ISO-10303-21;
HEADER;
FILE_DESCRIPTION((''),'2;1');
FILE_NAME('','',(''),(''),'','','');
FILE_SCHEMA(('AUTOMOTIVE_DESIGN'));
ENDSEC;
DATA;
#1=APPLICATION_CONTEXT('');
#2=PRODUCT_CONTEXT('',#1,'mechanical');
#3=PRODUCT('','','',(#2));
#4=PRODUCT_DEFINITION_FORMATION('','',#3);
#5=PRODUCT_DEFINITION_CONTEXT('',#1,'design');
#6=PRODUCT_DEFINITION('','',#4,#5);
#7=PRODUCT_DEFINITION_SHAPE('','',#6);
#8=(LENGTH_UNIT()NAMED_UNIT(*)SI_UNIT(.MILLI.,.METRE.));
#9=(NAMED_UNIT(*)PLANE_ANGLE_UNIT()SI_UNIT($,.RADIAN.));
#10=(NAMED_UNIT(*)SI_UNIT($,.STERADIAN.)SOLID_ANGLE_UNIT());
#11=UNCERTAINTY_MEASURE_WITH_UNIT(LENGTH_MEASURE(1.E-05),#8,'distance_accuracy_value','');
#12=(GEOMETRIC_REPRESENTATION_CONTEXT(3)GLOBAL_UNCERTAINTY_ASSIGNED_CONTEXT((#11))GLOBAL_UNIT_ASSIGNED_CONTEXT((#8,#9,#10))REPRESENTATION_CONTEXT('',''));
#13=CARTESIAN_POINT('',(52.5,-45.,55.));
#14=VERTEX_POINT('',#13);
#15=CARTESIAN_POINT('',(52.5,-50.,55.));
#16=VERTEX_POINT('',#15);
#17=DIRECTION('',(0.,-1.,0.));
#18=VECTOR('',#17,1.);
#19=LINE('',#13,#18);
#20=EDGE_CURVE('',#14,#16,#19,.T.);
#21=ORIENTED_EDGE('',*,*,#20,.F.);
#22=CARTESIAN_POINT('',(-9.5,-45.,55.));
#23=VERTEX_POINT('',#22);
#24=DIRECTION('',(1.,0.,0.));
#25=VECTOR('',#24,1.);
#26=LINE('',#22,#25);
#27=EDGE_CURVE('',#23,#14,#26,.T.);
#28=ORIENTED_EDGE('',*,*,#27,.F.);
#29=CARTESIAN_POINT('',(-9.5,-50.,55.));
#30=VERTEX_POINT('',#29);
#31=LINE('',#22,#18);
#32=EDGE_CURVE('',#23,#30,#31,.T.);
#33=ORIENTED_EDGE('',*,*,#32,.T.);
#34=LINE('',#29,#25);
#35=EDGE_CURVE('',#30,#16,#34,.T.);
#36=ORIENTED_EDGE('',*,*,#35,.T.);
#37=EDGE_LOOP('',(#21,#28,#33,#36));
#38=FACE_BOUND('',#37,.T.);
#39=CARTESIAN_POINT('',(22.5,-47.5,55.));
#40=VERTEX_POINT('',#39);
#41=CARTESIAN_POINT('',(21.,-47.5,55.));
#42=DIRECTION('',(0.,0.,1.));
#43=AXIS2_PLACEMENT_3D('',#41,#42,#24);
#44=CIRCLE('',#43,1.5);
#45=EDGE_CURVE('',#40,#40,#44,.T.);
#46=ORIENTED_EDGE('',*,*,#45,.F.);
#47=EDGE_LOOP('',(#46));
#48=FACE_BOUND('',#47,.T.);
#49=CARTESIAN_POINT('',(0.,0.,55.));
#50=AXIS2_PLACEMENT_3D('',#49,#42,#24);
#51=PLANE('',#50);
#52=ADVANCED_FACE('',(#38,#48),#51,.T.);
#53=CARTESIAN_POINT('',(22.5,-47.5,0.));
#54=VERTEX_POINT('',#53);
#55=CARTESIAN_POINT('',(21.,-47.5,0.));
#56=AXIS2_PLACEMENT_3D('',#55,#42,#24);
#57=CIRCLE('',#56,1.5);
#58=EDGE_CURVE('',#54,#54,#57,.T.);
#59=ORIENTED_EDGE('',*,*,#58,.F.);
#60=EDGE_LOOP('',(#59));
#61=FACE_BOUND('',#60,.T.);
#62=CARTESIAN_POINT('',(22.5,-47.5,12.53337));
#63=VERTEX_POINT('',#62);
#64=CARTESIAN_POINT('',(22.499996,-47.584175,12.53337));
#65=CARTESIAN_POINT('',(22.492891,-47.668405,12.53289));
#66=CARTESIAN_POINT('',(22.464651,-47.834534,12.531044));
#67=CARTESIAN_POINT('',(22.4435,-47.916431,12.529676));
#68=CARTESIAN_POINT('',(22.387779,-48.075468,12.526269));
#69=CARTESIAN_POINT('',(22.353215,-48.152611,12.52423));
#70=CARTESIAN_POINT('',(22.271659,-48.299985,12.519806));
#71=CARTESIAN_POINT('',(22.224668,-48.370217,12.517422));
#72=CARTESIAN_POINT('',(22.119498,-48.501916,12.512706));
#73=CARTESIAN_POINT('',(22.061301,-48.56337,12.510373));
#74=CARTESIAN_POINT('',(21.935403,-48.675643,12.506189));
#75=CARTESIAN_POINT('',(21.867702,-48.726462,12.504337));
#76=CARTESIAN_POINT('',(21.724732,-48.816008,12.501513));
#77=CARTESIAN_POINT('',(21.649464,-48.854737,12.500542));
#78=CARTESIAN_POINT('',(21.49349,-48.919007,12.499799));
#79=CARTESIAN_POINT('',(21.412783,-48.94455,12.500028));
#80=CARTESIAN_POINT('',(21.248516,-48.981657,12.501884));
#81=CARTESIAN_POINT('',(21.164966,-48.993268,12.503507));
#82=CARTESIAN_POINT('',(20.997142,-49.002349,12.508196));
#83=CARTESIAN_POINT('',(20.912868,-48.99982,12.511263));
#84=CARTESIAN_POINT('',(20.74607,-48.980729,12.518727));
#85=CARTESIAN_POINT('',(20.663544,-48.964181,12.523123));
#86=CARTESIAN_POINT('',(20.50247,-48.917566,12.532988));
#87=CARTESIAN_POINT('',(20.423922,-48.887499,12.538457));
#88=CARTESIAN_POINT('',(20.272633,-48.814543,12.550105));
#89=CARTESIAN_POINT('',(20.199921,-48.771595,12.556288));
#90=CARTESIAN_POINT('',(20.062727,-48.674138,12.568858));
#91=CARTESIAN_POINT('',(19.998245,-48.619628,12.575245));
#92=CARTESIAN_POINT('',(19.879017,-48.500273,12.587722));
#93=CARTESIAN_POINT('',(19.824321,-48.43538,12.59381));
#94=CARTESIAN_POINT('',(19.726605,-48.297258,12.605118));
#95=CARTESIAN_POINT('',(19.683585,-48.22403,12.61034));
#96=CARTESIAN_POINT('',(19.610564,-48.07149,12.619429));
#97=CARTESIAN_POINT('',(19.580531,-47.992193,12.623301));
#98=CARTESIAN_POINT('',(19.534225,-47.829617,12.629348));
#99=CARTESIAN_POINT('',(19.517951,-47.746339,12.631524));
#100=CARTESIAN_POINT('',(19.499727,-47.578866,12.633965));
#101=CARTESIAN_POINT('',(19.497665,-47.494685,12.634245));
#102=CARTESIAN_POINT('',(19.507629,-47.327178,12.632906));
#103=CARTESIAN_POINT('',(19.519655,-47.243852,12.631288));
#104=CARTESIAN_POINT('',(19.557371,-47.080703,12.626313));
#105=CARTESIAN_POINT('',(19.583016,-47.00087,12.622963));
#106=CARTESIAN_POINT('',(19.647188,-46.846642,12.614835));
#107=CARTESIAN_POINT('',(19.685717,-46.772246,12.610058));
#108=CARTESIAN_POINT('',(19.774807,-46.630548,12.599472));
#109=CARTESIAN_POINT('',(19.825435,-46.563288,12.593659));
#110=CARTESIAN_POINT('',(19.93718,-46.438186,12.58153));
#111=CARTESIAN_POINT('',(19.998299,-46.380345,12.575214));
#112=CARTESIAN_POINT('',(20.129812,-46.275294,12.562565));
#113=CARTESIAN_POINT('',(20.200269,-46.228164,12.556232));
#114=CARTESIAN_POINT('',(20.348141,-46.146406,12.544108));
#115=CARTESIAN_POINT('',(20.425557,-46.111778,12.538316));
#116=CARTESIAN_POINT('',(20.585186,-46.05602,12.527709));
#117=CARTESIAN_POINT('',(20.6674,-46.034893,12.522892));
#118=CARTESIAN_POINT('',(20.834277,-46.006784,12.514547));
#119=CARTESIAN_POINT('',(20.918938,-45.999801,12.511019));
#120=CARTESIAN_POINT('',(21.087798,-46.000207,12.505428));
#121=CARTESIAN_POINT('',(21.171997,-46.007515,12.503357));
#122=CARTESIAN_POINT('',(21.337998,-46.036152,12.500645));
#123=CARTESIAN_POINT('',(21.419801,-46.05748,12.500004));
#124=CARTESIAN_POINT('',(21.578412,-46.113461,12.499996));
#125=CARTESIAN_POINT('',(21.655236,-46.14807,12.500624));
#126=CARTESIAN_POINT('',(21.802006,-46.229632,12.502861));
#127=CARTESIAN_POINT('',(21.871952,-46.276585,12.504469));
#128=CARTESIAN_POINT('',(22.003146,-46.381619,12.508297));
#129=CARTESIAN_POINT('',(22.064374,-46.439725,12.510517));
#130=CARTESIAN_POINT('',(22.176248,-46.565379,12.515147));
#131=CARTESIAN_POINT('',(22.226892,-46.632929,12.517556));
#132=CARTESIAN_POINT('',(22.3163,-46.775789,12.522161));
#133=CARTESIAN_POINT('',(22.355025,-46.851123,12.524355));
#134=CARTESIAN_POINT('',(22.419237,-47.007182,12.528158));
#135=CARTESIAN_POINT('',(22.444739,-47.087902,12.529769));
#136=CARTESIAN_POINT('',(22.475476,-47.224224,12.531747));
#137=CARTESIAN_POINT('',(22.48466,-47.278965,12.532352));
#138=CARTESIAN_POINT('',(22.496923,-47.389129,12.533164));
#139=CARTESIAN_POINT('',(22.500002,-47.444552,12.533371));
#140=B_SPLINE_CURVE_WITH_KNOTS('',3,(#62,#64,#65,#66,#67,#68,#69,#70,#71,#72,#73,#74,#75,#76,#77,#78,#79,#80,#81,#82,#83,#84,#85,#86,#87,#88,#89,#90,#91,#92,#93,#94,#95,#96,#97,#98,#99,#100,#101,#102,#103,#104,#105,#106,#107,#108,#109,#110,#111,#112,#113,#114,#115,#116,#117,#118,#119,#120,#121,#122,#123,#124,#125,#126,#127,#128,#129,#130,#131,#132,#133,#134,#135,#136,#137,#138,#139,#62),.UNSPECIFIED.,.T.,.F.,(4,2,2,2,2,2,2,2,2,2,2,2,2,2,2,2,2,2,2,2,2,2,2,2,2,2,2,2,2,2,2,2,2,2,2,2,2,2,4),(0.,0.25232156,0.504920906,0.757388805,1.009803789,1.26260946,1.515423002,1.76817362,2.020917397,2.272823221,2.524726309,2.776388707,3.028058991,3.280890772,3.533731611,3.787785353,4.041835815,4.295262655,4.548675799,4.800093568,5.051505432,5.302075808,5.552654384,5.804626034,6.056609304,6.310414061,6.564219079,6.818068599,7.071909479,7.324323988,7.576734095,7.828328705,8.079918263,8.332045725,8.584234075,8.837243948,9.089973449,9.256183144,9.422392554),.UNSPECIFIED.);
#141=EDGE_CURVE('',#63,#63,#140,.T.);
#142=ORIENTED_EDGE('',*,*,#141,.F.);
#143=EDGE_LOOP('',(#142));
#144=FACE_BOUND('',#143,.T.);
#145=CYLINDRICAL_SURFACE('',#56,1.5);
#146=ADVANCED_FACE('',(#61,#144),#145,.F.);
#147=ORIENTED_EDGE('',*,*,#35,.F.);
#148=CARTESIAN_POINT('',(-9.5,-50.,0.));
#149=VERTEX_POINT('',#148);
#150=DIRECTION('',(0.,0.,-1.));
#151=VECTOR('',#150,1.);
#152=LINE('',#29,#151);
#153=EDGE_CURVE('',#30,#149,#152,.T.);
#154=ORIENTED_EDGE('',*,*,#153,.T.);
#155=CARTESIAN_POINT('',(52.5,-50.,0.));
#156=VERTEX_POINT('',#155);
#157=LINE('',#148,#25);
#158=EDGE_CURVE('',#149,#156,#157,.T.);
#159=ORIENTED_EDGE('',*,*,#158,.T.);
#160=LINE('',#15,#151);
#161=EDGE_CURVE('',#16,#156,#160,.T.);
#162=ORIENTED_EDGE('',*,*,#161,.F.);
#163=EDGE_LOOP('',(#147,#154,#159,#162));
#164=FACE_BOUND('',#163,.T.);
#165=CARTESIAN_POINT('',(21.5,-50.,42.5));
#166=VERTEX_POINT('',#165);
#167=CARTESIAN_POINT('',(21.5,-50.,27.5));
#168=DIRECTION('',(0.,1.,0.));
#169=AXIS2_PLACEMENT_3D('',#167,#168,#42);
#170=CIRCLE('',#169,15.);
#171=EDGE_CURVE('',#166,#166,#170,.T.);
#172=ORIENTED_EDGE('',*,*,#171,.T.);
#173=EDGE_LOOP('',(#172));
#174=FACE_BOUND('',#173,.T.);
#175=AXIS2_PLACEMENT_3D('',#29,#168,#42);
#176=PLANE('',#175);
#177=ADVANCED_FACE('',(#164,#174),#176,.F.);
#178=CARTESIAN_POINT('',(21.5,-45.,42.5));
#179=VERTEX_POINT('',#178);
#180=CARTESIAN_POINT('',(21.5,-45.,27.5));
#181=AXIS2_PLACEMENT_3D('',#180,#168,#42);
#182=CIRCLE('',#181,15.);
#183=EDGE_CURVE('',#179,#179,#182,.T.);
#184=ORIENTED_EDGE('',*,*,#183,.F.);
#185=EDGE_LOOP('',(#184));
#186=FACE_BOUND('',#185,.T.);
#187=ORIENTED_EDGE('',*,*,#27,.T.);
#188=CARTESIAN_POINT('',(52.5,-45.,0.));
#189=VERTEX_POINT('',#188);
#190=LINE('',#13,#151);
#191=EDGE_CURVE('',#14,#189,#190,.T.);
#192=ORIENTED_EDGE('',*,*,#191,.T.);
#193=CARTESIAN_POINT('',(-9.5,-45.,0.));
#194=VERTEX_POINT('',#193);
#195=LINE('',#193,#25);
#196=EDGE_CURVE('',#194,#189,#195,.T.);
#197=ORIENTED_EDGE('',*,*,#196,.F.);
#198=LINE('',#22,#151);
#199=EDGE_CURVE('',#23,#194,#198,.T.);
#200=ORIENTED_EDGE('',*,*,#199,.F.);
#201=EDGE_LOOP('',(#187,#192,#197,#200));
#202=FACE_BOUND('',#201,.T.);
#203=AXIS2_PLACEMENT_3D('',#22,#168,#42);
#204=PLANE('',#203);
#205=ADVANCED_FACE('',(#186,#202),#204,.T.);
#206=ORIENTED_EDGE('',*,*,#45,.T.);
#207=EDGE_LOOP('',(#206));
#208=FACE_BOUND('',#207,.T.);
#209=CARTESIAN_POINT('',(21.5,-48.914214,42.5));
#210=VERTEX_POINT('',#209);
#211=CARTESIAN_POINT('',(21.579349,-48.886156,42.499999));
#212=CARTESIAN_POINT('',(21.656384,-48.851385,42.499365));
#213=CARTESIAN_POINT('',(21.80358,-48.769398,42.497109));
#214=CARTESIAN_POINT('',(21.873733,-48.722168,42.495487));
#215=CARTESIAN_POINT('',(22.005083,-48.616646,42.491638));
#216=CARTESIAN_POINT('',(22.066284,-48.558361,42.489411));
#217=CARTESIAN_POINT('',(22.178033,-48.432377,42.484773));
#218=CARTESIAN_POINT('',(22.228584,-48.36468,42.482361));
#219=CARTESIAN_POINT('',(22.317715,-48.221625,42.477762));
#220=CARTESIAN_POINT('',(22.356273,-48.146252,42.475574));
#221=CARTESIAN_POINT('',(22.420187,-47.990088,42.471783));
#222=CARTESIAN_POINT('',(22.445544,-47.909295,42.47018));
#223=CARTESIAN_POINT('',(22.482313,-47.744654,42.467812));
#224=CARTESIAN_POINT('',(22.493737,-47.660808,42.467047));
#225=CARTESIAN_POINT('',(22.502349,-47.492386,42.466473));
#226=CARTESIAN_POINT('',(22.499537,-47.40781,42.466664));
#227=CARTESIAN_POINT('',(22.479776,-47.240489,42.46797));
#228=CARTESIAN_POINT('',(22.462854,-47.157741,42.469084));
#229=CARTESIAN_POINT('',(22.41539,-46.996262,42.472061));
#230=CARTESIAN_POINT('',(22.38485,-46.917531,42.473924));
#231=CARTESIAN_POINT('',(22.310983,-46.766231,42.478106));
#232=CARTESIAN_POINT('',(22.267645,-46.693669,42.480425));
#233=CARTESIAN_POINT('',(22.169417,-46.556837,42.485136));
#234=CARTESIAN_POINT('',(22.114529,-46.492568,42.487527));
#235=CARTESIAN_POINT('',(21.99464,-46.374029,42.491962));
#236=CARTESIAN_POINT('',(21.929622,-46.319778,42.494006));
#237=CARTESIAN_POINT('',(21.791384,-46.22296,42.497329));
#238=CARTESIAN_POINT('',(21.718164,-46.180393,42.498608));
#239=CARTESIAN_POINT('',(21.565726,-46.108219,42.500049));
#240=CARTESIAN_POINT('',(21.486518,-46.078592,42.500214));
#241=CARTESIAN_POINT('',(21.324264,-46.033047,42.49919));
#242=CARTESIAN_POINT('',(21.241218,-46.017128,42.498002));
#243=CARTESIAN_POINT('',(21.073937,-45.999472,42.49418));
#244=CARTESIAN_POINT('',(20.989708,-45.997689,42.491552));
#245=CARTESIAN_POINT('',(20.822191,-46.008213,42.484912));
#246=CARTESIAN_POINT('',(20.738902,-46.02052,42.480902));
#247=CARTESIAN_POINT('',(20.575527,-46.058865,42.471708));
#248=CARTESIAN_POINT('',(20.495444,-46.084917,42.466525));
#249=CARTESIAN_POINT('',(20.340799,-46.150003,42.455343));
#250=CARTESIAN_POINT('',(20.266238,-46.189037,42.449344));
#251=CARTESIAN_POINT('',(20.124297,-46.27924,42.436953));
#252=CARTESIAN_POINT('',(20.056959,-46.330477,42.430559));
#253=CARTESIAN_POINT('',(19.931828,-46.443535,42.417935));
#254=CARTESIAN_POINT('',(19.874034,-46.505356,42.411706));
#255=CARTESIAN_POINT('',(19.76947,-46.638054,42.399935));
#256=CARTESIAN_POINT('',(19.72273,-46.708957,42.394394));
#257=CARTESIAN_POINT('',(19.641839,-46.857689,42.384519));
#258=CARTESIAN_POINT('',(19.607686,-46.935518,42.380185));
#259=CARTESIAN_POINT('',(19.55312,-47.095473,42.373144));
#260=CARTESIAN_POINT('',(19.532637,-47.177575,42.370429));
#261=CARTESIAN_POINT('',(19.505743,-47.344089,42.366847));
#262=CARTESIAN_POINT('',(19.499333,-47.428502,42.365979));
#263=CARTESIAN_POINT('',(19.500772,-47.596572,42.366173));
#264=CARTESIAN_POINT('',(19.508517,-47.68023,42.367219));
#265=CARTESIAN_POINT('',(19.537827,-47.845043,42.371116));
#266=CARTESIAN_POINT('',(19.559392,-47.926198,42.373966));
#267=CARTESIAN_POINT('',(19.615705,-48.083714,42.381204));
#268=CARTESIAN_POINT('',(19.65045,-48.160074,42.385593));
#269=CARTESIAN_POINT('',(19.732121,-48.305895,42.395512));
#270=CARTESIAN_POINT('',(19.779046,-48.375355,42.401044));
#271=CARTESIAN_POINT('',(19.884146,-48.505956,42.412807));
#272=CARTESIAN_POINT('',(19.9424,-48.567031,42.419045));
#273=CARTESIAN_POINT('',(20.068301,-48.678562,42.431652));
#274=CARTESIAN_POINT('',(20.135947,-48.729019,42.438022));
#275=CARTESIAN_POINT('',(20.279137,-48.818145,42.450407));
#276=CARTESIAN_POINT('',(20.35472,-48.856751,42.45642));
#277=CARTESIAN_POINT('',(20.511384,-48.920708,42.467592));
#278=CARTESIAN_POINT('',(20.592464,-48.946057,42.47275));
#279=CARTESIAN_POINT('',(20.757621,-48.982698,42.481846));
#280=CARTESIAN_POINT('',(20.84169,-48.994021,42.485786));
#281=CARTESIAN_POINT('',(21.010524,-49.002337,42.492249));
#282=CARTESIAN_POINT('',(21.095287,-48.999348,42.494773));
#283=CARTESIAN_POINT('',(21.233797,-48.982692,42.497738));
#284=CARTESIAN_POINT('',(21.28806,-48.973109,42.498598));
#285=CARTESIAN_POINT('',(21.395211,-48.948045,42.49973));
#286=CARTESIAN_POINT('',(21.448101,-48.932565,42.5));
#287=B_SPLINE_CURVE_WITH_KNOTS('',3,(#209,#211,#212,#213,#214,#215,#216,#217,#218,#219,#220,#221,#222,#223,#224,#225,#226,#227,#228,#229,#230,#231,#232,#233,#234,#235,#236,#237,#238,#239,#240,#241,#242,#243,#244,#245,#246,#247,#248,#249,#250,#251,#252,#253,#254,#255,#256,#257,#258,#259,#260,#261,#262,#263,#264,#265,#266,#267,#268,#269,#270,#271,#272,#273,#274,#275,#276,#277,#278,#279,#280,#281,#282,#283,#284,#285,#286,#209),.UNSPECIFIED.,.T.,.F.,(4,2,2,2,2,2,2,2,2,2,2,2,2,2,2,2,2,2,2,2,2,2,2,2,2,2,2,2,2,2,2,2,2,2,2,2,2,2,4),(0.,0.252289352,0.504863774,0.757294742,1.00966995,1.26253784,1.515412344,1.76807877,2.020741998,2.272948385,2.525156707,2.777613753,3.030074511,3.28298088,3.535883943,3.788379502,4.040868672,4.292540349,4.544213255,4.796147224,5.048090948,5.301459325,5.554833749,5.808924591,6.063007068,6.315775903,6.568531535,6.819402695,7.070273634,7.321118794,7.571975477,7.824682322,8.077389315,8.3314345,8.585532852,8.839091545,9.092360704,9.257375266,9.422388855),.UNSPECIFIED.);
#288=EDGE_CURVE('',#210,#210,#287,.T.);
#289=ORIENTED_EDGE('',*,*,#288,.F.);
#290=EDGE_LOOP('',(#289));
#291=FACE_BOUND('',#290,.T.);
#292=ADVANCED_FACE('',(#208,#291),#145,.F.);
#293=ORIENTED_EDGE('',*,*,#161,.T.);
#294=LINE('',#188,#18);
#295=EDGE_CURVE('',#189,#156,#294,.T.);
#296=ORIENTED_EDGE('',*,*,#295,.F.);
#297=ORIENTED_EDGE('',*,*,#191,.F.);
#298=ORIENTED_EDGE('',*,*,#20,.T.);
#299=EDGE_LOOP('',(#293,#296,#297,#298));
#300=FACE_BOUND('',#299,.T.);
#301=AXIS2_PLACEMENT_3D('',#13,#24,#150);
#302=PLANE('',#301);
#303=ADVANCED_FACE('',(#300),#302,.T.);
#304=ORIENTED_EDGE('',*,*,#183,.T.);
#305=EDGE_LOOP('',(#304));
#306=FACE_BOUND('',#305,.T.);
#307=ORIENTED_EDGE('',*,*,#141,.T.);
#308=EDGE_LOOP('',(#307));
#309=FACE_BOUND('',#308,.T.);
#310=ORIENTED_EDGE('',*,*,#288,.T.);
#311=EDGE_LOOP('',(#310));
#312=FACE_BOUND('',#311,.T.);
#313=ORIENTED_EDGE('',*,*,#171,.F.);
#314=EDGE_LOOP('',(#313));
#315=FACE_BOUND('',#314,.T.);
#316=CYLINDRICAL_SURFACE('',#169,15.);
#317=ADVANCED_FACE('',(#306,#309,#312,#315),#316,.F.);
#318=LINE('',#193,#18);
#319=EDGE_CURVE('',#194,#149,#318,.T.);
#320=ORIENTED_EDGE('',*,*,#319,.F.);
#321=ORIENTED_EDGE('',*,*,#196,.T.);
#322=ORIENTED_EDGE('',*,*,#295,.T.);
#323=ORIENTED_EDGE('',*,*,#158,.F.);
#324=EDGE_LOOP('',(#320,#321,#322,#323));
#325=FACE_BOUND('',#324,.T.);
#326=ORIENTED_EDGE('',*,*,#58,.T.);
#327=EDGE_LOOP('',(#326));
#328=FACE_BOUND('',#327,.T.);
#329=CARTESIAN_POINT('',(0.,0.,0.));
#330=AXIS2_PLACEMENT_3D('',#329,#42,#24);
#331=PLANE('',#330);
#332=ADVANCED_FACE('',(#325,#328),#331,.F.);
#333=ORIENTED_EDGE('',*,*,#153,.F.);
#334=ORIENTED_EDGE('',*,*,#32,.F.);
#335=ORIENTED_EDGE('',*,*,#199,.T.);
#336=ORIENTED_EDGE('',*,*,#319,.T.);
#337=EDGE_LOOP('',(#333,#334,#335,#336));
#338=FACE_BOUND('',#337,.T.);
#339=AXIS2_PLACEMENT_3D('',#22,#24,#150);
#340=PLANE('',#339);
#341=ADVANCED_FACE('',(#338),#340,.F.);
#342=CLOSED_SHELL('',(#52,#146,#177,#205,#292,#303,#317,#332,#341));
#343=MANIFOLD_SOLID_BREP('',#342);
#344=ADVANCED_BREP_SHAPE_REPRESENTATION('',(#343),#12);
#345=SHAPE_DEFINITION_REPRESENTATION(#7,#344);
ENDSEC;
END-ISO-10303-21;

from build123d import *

# Parameters (mm, degrees)
ESQUISSE1_W             = 62
ESQUISSE1_H             = 5
BOSS_EXTRU_1_DEPTH      = 55
ESQUISSE2_R             = 15
ENL_V_MAT_EXTRU_1_DEPTH = 6
ESQUISSE5_R             = 1.5
ENL_V_MAT_EXTRU_4_DEPTH = 56


with BuildPart() as part:
    # Esquisse1 → Boss.-Extru.1 (new body)
    with BuildSketch(Plane.XY):
        with Locations((21.5, -47.5)):
            Rectangle(ESQUISSE1_W, ESQUISSE1_H)
    extrude(amount=BOSS_EXTRU_1_DEPTH)

    # Esquisse2 → Enlèv. mat.-Extru.1 (cut, through all)
    with BuildSketch(Plane(origin=(0, -45, 0), x_dir=(-1, 0, 0), z_dir=(0, 1, 0))):
        with Locations((-21.5, 27.5)):
            Circle(ESQUISSE2_R)
    extrude(amount=-ENL_V_MAT_EXTRU_1_DEPTH, mode=Mode.SUBTRACT)

    # Esquisse5 → Enlèv. mat.-Extru.4 (cut, through all)
    with BuildSketch(Plane.XY.offset(55)):
        with Locations((21, -47.5)):
            Circle(ESQUISSE5_R)
    extrude(amount=-ENL_V_MAT_EXTRU_4_DEPTH, mode=Mode.SUBTRACT)


solid = part.part
